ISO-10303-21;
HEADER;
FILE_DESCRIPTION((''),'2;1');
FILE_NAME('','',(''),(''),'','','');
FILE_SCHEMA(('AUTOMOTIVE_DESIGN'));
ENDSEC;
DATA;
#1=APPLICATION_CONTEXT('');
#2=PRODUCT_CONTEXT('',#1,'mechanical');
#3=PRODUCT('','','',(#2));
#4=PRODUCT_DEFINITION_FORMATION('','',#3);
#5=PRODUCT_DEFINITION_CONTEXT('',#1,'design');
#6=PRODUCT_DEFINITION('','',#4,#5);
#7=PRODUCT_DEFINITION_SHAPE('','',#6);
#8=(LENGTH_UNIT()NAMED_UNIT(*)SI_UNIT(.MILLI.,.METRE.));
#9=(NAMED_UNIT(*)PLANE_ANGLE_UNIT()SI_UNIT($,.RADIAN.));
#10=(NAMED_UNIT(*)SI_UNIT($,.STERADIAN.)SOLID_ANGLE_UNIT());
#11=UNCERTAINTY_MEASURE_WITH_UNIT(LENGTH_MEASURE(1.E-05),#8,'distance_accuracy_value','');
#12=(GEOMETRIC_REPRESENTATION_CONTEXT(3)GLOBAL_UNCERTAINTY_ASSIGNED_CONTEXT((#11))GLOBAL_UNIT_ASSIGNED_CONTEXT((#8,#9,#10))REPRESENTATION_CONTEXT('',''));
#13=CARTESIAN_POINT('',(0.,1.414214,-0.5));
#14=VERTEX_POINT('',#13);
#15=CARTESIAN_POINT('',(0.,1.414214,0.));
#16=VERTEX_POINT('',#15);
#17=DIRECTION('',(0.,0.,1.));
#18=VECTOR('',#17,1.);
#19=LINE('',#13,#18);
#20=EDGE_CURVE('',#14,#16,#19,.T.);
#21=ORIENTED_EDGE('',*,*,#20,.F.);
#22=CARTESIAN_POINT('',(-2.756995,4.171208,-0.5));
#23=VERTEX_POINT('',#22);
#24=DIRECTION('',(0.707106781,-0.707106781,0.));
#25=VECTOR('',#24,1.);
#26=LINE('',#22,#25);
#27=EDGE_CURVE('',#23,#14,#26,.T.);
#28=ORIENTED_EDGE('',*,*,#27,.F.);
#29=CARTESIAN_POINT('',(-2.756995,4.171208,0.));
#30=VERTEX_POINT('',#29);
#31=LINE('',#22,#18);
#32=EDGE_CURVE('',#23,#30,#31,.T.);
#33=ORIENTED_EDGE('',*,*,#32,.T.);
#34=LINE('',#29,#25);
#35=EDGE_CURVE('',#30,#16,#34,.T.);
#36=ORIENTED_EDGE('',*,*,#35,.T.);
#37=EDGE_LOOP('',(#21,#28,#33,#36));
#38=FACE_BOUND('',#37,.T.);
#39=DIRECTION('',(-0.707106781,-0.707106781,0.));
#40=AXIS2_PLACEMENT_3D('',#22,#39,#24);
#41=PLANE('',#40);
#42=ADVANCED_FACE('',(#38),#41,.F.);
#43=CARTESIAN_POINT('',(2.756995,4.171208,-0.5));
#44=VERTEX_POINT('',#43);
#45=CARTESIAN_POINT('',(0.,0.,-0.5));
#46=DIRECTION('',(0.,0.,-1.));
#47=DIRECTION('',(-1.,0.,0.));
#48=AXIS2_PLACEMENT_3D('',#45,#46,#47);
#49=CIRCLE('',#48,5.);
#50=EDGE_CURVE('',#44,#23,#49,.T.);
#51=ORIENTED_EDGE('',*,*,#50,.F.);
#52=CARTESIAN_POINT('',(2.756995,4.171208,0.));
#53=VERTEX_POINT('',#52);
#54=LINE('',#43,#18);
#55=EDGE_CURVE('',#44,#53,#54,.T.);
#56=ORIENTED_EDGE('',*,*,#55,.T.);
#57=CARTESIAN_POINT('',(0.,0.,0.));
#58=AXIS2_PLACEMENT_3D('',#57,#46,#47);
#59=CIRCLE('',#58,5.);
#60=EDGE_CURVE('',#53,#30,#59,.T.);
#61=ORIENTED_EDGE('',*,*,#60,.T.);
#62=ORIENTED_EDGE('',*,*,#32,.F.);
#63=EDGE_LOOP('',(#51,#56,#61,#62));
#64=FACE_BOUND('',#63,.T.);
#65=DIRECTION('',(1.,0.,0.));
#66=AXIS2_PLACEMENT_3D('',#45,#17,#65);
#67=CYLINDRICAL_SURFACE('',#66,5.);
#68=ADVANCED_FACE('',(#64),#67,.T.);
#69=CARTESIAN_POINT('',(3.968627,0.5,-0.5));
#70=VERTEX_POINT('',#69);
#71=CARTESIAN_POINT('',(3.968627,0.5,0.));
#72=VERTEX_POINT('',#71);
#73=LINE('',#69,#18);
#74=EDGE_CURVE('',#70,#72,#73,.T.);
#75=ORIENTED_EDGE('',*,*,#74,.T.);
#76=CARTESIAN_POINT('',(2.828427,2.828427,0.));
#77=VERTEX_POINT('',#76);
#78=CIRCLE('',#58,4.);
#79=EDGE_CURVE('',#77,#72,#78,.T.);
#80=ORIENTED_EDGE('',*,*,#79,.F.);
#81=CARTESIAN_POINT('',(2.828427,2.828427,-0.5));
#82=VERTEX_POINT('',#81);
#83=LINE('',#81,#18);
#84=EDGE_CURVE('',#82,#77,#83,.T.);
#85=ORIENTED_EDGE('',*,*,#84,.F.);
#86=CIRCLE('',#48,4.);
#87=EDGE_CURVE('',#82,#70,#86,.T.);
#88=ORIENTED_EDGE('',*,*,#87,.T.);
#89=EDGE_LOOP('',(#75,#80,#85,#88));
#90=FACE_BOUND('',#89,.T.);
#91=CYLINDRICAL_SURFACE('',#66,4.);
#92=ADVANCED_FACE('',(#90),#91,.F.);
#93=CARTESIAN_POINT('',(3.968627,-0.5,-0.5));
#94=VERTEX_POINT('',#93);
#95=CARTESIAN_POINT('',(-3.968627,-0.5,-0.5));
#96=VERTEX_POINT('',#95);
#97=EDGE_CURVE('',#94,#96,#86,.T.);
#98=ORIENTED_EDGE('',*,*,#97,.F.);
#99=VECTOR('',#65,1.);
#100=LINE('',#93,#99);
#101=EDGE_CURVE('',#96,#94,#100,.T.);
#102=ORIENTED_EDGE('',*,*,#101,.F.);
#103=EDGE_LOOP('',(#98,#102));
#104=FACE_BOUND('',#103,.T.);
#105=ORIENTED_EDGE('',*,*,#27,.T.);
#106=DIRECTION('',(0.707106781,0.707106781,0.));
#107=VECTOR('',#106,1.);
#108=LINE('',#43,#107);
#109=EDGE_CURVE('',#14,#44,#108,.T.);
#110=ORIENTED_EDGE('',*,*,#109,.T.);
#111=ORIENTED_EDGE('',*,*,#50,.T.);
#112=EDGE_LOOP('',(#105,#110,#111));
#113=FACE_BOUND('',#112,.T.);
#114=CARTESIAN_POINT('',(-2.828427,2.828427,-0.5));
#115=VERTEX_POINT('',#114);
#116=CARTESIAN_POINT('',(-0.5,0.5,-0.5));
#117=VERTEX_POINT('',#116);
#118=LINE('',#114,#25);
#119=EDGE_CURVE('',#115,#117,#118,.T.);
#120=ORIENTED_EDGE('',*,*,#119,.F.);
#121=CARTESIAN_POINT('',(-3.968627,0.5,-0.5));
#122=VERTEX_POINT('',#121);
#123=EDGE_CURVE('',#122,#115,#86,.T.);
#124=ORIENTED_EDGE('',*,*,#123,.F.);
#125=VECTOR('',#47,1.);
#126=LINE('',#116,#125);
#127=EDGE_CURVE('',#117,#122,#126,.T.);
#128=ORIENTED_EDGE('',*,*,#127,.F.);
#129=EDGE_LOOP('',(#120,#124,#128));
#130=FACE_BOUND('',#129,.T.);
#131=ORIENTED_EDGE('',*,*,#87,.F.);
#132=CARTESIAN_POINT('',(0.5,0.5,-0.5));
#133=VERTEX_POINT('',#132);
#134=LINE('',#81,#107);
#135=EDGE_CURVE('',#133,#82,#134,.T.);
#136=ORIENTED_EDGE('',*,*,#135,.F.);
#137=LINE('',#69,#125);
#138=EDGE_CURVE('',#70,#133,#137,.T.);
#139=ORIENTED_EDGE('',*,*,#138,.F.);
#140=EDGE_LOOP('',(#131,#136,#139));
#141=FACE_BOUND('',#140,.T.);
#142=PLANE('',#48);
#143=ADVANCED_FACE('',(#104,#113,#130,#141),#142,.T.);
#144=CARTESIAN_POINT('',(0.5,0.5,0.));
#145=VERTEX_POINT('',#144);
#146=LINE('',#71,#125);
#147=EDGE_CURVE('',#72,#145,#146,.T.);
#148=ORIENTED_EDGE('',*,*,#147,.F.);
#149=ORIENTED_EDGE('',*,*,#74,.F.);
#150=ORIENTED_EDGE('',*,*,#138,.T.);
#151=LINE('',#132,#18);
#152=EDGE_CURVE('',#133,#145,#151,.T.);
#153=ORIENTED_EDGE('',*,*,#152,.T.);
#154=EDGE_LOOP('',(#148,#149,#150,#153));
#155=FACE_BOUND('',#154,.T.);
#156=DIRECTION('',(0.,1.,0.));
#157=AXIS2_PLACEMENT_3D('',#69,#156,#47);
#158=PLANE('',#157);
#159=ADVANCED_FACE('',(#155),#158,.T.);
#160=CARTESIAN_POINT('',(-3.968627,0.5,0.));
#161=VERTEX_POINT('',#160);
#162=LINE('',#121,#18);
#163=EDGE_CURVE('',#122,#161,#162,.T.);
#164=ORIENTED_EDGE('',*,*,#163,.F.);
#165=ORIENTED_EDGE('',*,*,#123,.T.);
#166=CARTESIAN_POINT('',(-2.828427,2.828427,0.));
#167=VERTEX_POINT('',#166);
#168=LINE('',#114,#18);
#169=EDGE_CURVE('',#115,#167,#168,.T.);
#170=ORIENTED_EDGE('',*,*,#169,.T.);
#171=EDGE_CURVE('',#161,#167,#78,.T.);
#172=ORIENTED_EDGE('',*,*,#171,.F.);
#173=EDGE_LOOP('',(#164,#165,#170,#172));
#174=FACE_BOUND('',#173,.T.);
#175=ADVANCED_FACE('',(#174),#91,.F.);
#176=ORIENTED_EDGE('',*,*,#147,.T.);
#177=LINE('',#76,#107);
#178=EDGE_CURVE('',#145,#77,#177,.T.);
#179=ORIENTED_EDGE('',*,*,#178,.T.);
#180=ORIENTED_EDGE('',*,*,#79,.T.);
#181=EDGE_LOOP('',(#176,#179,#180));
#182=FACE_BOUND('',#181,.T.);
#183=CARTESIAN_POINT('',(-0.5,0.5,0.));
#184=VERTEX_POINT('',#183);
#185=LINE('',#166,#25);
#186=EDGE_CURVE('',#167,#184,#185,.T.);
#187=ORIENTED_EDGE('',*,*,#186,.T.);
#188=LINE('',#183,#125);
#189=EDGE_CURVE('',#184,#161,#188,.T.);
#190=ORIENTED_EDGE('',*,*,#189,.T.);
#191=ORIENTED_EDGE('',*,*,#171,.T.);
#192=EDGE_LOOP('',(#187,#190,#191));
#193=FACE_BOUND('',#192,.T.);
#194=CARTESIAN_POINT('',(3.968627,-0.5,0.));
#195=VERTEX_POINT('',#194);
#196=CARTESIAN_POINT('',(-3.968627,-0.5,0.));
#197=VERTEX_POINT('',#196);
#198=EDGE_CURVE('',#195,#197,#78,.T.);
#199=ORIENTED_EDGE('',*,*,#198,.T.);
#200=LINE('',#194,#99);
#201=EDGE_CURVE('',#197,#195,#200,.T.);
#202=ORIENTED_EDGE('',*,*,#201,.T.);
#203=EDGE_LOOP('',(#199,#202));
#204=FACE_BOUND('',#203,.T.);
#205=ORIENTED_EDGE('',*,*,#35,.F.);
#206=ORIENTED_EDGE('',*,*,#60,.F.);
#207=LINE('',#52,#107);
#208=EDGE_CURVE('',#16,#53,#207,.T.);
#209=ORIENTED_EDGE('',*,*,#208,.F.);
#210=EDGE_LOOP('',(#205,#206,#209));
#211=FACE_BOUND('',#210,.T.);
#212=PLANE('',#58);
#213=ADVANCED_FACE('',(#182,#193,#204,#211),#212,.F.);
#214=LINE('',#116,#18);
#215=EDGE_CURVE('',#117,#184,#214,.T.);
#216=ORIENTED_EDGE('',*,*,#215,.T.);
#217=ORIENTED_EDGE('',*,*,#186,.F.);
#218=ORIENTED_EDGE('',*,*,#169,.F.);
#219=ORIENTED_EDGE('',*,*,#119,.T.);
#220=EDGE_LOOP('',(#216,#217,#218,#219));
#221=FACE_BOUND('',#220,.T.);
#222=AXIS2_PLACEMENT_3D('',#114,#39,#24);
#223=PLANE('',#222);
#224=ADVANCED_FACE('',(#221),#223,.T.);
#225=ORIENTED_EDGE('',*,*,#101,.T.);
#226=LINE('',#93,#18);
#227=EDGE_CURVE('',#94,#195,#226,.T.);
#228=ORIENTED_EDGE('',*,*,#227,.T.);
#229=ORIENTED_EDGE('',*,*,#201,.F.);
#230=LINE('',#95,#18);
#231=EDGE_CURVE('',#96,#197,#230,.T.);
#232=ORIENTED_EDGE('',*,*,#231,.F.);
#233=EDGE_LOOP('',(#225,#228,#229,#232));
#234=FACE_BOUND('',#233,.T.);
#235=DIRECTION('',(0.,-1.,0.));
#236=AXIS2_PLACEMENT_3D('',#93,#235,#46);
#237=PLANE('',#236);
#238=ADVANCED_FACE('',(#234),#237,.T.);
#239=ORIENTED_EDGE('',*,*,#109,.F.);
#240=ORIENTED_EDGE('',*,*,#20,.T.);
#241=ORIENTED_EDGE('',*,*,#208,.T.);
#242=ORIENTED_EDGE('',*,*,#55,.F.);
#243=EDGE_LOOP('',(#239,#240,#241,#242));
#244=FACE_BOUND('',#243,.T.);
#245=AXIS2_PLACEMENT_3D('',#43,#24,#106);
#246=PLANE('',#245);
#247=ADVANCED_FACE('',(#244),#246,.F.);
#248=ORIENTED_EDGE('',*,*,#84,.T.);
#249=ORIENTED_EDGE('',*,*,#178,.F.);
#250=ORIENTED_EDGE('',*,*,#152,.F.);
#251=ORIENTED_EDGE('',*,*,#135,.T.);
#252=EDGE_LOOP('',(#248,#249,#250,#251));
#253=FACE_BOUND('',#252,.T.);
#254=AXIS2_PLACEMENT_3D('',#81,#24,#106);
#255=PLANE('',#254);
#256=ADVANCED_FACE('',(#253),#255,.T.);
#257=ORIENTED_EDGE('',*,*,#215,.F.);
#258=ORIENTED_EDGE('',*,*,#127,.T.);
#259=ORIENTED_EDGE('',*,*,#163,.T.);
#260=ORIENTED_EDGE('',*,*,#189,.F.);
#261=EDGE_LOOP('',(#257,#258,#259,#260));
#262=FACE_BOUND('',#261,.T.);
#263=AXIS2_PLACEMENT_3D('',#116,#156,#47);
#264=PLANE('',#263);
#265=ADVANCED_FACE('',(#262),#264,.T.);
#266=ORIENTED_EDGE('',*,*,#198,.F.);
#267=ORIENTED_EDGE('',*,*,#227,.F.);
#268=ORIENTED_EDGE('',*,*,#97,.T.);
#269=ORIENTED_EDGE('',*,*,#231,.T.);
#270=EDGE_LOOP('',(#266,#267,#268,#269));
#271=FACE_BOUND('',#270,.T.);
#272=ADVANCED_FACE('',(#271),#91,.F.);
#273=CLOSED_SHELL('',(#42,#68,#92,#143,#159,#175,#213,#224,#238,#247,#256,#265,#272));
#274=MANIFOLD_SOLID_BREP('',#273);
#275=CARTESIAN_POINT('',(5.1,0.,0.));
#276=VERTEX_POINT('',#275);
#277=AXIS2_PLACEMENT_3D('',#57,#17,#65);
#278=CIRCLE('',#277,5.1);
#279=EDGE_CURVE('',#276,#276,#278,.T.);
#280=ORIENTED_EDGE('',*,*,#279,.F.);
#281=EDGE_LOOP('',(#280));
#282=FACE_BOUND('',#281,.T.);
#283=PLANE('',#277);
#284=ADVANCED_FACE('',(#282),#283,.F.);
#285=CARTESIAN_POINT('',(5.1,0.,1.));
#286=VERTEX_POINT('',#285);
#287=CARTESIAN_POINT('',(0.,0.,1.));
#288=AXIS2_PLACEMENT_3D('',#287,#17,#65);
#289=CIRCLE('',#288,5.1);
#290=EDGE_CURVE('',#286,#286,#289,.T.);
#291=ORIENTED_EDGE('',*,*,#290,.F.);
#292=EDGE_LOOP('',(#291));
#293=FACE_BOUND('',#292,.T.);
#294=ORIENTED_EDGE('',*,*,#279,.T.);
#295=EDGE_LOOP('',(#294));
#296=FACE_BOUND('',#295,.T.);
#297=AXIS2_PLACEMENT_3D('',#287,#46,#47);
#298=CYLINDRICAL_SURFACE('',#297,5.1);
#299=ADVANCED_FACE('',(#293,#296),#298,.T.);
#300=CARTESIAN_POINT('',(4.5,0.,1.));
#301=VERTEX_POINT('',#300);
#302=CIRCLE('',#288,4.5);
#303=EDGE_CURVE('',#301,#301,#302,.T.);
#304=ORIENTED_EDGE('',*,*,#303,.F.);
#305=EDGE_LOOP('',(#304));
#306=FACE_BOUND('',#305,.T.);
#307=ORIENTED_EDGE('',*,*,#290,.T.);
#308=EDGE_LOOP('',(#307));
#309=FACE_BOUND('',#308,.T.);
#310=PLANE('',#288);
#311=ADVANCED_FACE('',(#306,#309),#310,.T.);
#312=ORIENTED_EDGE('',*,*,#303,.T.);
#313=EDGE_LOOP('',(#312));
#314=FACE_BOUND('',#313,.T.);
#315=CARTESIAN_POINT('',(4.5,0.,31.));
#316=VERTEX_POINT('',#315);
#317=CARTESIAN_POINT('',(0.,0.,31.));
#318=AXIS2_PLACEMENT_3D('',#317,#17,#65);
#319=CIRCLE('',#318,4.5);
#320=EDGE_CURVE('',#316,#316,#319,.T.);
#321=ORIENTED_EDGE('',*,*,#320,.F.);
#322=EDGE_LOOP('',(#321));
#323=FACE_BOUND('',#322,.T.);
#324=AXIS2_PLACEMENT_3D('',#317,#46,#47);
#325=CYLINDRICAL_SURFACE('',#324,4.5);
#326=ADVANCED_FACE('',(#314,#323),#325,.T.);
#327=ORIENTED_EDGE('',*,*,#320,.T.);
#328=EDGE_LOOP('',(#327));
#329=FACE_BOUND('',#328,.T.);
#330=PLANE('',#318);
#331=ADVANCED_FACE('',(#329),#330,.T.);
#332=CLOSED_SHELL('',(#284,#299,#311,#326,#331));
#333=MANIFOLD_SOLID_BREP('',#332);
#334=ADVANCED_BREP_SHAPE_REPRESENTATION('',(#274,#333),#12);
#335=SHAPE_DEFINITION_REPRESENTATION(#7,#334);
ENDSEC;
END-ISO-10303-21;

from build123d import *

# Parameters (mm, degrees)
SKETCH_1_R      = 5.1
EXTRUDE_1_DEPTH = 1
SKETCH_2_R      = 4.5
EXTRUDE_2_DEPTH = 30
EXTRUDE_3_DEPTH = 0.5


with BuildPart() as part:
    # Эскиз1 → Бобышка-Вытянуть1 (new body)
    with BuildSketch(Plane.XY):
        Circle(SKETCH_1_R)
    extrude(amount=EXTRUDE_1_DEPTH)

    # Эскиз2 → Бобышка-Вытянуть2 (add)
    with BuildSketch(Plane.XY.offset(1)):
        Circle(SKETCH_2_R)
    extrude(amount=EXTRUDE_2_DEPTH)


with BuildPart() as body_2:
    # Эскиз4 → Бобышка-Вытянуть3 (new body)
    with BuildSketch(Plane(origin=(0, 0, 0), x_dir=(-1, 0, 0), z_dir=(0, 0, -1))):
        with BuildLine():
            Line((2.756994834, 4.171208396), (0, 1.414213562))
            Line((0, 1.414213562), (-2.756994834, 4.171208396))
            ThreePointArc((-2.756994834, 4.171208396), (0, -5), (2.756994834, 4.171208396))
        make_face()
        with BuildLine():
            Line((-3.968626967, 0.5), (-0.5, 0.5))
            Line((-0.5, 0.5), (-2.828427125, 2.828427125))
            ThreePointArc((-2.828427125, 2.828427125), (-3.592405782, 1.759153405), (-3.968626967, 0.5))
        make_face(mode=Mode.SUBTRACT)
        with BuildLine():
            Line((-3.968626967, -0.5), (3.968626967, -0.5))
            ThreePointArc((3.968626967, -0.5), (0, -4), (-3.968626967, -0.5))
        make_face(mode=Mode.SUBTRACT)
        with BuildLine():
            Line((0.5, 0.5), (3.968626967, 0.5))
            ThreePointArc((3.968626967, 0.5), (3.592405782, 1.759153405), (2.828427125, 2.828427125))
            Line((2.828427125, 2.828427125), (0.5, 0.5))
        make_face(mode=Mode.SUBTRACT)
    extrude(amount=EXTRUDE_3_DEPTH)


solid = Compound([part.part, body_2.part])
